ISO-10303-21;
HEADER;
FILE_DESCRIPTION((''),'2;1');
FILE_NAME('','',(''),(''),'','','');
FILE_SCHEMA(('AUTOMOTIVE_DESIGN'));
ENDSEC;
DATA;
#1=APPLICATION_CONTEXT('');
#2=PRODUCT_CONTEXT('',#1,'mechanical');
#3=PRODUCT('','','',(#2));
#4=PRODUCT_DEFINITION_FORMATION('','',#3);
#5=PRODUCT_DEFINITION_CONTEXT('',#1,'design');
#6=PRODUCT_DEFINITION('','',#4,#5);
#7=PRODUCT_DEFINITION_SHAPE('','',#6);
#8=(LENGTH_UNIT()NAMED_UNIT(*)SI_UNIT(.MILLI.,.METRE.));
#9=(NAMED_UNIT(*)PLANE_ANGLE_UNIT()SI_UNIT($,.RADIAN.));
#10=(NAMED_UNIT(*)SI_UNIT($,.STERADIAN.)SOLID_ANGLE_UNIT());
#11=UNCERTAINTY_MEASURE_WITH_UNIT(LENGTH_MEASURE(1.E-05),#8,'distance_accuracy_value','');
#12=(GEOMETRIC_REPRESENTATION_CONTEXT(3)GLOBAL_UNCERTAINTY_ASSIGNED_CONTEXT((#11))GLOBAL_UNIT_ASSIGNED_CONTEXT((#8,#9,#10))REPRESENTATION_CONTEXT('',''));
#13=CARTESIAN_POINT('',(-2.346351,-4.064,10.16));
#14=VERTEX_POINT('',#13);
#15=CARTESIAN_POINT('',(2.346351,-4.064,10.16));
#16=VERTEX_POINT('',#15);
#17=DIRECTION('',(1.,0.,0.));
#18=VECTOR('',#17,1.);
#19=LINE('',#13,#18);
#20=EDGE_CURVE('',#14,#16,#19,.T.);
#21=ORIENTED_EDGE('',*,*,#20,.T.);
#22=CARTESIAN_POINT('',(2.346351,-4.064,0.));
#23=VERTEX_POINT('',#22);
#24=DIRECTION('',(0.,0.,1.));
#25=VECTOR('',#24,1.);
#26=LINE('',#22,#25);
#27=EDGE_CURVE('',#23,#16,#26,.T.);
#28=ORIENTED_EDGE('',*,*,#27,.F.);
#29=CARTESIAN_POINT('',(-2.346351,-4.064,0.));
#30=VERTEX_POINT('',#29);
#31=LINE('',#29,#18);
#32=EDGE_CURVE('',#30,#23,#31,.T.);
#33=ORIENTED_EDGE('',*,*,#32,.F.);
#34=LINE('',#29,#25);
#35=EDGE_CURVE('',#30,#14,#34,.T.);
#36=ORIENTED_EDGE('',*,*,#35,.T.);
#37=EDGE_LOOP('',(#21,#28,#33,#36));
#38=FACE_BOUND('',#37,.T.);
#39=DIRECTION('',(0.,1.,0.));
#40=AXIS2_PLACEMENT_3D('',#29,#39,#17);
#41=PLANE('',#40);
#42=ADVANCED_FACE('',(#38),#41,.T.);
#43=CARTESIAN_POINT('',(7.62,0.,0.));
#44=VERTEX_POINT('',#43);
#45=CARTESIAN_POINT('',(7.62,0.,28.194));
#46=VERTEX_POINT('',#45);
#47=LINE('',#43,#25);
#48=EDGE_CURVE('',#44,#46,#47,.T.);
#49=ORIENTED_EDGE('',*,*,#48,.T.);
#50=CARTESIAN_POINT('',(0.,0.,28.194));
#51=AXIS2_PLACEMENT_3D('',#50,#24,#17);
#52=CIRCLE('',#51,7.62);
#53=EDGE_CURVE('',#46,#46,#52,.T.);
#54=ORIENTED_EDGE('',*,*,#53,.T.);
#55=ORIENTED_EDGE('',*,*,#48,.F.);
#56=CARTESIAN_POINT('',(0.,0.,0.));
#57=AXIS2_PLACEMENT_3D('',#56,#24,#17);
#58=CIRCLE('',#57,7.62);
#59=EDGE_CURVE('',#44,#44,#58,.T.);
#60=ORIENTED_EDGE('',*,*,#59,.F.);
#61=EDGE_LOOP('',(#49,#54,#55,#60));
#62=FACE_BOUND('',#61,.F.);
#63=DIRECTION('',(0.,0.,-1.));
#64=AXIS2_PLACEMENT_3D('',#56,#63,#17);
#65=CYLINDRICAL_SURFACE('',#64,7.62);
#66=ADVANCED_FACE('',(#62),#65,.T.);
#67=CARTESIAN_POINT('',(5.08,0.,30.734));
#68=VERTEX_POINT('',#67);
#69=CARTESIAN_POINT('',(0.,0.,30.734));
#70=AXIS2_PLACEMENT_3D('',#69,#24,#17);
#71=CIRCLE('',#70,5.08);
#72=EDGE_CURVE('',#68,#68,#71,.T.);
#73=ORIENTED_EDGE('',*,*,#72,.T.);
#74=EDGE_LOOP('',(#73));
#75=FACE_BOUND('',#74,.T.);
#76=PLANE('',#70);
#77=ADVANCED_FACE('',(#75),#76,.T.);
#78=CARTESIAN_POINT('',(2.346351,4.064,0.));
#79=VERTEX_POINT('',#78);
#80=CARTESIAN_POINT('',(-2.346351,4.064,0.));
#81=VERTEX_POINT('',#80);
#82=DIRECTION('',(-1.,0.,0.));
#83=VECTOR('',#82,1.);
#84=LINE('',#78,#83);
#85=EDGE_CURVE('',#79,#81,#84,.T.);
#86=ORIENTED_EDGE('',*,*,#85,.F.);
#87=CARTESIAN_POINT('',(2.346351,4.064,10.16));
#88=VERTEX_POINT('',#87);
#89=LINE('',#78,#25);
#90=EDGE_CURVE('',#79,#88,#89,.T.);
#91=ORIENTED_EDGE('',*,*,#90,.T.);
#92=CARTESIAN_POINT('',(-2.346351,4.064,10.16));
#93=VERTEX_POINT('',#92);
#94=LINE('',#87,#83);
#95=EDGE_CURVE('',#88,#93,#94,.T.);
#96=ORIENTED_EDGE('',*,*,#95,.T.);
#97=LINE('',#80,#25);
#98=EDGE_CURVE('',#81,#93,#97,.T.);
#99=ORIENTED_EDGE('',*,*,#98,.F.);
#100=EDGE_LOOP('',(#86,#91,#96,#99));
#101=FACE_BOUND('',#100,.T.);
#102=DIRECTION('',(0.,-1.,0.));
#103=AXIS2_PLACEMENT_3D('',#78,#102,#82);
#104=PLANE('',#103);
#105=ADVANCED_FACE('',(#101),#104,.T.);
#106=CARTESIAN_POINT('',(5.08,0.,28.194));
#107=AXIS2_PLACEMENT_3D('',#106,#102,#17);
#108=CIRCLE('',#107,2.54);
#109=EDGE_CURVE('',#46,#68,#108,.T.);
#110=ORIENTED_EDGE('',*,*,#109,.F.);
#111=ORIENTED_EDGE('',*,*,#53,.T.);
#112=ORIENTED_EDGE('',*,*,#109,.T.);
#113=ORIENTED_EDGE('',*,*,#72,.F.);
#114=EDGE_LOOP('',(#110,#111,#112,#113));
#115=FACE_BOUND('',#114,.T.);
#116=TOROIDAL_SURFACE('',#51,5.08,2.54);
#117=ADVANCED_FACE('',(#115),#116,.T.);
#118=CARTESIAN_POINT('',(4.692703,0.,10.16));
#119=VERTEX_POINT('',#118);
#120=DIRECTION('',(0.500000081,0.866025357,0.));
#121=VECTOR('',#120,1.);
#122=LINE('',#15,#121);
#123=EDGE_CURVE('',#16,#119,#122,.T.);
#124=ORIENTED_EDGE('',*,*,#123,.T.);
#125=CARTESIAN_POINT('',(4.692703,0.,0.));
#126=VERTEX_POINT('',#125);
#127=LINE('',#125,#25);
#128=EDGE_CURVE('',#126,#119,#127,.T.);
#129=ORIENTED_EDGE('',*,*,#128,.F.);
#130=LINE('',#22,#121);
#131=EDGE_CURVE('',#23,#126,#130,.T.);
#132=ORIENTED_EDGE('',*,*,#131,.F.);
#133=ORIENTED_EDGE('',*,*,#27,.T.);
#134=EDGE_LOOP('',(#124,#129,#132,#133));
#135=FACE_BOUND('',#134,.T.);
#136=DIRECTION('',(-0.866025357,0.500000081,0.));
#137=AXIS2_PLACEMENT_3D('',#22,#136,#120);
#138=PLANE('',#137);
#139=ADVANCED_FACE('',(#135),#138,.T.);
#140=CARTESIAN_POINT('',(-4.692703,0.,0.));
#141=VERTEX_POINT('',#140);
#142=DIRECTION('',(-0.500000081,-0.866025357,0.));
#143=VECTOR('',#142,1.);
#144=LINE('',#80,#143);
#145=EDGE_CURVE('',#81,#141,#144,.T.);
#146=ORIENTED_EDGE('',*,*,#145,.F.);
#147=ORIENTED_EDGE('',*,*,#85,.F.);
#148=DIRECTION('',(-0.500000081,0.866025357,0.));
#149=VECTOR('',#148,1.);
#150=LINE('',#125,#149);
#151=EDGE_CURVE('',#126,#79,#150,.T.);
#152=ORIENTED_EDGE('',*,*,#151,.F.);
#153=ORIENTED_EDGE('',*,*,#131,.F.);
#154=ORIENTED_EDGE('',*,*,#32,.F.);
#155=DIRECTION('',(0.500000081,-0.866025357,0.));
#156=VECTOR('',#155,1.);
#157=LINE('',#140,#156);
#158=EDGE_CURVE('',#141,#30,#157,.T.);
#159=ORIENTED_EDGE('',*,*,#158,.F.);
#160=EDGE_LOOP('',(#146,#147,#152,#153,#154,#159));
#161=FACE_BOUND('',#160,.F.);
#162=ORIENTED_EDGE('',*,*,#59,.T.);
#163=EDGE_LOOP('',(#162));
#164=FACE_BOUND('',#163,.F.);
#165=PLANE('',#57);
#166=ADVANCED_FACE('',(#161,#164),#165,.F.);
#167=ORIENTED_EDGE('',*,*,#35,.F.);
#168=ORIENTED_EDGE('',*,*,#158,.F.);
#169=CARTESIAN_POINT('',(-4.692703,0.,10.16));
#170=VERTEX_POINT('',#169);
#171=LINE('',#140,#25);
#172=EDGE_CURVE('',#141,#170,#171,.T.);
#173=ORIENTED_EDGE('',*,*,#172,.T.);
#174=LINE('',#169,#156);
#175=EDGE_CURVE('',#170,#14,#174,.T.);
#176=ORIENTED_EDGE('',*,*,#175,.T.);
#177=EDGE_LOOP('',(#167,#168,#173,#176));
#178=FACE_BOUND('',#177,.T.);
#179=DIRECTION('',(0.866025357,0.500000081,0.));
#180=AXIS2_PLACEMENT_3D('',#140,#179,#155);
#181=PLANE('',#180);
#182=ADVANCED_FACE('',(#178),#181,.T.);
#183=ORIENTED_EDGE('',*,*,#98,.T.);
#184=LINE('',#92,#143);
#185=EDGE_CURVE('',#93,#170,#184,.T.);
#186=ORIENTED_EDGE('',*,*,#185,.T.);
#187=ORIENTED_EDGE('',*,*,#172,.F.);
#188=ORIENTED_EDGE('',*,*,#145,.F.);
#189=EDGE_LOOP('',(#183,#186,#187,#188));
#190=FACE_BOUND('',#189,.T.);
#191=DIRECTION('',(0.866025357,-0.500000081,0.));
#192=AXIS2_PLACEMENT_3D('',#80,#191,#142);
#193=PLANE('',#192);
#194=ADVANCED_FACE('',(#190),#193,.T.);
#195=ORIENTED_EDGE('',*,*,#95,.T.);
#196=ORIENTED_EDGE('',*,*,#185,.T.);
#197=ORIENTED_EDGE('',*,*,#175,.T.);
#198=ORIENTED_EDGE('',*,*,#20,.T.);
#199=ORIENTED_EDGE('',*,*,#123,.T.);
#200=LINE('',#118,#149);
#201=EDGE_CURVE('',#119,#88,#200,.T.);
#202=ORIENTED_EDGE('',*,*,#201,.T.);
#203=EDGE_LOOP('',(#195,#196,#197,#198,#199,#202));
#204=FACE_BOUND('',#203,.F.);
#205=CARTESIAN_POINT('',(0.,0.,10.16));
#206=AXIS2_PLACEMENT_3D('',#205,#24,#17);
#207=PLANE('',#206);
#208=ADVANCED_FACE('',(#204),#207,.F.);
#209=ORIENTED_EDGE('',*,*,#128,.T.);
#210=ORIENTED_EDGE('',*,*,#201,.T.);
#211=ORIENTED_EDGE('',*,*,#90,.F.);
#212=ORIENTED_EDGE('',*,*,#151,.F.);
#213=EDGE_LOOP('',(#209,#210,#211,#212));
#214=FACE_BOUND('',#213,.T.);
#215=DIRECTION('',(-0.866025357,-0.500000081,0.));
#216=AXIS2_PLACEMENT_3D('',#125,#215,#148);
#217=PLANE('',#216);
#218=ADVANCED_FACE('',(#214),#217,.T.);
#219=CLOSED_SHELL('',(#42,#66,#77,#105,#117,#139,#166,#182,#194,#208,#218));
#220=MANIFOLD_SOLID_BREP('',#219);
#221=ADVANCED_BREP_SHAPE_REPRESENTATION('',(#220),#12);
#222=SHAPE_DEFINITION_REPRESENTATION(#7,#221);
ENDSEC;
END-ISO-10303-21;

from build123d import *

# Parameters (mm, degrees)
F0_R     = 7.62
F1_DEPTH = 30.734
F2_R     = 2.54
F4_DEPTH = 10.16


with BuildPart() as f1:
    # F0 (on Top) → F1 (new body)
    with BuildSketch(Plane.XY):
        Circle(F0_R)
    extrude(amount=F1_DEPTH)

    # F2
    f2_edges = [f1.edges().sort_by_distance(p)[0] for p in [
        (-7.62, 0, 30.734),
    ]]
    fillet(f2_edges, radius=F2_R)

    # F3 (on Top) → F4 (cut)
    with BuildSketch(Plane.XY):
        Polygon((2.346351, 4.064), (-2.346351, 4.064), (-4.692703, 0), (-2.346351, -4.064), (2.346351, -4.064), (4.692703, 0), align=None)
    extrude(amount=F4_DEPTH, mode=Mode.SUBTRACT)


solid = f1.part
